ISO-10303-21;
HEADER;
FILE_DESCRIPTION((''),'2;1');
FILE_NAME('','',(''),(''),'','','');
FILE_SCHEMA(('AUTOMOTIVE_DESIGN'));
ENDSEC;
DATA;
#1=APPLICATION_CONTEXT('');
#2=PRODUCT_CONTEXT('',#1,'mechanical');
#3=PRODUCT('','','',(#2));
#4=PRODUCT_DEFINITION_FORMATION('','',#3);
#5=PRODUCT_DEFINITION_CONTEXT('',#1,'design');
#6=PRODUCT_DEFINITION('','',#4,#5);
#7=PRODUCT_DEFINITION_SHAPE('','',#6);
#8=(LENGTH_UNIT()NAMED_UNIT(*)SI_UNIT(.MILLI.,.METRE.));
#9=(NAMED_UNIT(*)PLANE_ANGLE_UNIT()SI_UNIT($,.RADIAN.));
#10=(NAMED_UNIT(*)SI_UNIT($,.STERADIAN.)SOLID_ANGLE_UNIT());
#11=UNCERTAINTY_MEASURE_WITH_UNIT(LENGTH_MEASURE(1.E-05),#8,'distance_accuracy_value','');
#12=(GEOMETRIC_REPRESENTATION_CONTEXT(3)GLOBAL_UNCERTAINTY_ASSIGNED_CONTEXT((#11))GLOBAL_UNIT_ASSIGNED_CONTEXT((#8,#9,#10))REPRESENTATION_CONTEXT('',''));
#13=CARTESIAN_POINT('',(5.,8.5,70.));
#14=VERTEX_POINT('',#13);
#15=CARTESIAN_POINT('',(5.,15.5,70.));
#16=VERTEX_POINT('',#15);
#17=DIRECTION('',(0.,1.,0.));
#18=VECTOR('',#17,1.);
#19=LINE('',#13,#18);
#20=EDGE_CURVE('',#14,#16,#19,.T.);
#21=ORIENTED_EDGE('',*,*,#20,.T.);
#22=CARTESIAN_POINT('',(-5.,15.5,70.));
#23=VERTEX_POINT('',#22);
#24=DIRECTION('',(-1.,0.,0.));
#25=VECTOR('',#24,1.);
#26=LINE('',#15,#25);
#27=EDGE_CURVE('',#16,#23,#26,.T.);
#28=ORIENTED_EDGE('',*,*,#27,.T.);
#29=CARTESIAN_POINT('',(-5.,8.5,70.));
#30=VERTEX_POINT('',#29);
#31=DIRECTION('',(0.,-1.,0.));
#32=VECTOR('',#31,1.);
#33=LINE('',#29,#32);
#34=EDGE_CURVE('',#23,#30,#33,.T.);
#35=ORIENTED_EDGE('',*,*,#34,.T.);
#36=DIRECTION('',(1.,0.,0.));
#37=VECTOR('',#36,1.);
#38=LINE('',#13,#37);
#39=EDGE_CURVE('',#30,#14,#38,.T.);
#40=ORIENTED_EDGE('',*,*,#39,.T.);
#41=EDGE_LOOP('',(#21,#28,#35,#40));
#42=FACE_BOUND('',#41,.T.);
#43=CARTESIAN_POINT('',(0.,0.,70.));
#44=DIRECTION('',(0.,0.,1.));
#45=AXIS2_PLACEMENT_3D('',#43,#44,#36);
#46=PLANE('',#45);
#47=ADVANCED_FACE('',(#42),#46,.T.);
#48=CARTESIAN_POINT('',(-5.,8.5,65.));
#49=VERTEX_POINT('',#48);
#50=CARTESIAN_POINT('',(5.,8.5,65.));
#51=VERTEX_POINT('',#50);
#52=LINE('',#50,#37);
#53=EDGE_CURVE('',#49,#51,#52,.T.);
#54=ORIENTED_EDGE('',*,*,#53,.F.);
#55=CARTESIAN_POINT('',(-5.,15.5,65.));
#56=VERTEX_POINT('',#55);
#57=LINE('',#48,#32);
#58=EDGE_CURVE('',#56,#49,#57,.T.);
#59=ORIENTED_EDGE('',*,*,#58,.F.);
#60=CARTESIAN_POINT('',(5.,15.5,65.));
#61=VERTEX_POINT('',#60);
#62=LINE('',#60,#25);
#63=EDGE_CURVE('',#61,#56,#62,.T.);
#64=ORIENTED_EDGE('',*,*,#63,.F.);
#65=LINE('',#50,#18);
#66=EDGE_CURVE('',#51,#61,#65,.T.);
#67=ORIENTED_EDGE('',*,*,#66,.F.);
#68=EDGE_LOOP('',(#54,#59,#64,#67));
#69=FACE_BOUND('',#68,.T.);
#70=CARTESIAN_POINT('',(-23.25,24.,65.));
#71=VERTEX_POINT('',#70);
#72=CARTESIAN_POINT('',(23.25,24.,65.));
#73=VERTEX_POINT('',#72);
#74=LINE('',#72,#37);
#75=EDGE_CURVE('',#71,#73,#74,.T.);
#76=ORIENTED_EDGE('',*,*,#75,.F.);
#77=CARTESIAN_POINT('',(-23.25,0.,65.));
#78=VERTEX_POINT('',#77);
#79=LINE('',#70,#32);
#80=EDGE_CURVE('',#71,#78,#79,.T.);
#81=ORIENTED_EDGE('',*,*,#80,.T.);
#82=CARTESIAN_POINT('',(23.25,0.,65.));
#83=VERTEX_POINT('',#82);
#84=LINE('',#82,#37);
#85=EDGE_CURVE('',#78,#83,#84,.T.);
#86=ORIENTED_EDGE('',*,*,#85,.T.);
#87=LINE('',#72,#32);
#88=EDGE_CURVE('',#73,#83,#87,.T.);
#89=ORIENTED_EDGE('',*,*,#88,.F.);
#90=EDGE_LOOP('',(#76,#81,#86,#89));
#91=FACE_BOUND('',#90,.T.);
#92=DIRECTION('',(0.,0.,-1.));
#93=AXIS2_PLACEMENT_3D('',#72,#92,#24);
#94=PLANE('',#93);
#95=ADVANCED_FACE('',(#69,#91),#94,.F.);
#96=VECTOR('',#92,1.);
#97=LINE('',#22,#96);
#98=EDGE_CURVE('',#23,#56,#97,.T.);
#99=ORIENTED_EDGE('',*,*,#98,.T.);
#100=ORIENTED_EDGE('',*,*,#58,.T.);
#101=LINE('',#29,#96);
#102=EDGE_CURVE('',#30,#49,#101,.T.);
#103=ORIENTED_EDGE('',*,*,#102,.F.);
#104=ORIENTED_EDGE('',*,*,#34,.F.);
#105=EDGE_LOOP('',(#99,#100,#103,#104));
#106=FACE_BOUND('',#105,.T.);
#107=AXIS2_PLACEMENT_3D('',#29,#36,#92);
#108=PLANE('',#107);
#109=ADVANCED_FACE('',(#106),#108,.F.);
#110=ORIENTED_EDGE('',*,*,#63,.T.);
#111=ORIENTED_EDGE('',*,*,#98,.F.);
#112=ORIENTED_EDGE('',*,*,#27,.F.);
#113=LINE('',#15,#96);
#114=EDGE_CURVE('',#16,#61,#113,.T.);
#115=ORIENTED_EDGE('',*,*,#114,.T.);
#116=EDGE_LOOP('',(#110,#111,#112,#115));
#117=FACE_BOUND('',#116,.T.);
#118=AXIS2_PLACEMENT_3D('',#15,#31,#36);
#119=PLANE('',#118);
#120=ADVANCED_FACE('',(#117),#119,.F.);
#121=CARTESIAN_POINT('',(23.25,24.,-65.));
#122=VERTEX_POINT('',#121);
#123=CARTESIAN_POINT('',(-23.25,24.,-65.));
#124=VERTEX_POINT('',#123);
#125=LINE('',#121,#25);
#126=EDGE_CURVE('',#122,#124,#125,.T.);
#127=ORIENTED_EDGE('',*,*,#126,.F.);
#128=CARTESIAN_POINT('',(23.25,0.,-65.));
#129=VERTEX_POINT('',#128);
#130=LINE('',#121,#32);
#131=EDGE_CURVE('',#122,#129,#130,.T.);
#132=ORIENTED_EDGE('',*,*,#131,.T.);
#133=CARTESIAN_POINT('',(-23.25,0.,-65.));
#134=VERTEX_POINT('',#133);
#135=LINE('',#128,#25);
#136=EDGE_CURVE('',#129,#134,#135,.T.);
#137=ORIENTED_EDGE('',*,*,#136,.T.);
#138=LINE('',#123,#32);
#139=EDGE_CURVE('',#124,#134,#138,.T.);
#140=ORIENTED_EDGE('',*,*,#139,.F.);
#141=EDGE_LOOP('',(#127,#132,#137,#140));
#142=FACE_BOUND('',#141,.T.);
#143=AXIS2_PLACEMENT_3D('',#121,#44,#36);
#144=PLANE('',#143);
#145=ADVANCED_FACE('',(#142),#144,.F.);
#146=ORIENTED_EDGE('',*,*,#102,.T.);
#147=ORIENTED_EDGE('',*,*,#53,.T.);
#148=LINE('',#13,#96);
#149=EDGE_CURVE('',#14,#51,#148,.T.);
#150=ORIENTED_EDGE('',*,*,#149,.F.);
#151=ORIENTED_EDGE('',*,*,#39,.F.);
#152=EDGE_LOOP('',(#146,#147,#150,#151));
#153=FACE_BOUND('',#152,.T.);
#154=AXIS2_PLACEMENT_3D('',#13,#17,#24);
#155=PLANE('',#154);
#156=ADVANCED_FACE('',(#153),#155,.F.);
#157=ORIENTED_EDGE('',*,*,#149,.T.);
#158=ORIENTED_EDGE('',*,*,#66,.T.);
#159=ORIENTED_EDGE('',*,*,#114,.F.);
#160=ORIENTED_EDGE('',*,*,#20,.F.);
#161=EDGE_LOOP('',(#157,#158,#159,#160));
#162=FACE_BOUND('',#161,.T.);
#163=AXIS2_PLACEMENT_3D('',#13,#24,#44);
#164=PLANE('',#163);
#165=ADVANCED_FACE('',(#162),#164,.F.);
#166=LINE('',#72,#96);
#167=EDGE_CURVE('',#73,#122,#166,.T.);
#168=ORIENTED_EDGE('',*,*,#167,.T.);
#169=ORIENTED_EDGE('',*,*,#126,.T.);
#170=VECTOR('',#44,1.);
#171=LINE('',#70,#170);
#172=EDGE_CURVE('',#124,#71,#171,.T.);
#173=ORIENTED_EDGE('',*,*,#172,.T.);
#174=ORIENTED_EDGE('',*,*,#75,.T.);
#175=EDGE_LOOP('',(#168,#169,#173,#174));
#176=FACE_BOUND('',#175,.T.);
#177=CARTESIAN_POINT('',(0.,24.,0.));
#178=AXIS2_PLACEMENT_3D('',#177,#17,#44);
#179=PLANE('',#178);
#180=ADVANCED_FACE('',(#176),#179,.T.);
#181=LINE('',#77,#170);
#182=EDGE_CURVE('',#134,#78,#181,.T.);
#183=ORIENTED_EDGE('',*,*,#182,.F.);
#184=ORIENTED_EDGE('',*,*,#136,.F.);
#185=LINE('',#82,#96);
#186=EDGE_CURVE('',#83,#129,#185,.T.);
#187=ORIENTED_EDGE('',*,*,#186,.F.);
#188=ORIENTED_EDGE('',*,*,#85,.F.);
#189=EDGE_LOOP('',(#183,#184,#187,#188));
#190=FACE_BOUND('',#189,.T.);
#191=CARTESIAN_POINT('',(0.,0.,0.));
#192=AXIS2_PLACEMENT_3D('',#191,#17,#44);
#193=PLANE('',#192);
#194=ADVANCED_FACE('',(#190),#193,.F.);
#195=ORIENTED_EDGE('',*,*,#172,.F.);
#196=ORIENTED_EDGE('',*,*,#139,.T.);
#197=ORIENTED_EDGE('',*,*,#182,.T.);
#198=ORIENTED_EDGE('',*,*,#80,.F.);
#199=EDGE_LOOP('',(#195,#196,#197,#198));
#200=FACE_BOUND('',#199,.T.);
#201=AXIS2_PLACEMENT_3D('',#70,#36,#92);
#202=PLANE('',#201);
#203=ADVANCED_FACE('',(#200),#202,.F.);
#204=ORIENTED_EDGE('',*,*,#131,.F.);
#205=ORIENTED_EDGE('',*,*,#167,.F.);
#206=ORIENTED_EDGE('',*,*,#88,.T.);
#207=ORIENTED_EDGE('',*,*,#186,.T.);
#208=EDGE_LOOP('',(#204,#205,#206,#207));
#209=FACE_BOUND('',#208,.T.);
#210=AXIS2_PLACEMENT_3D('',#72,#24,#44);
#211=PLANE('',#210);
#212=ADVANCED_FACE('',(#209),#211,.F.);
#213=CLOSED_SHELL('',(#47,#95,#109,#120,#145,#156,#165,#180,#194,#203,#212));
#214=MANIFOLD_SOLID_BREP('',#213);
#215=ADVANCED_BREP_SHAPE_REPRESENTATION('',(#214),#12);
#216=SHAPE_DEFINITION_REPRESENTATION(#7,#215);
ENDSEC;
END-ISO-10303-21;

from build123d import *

# Parameters (mm, degrees)
SKETCH1_W    = 46.5
SKETCH1_H    = 130
BODY_DEPTH   = 24
SKETCH2_W    = 10
SKETCH2_H    = 7
CABLES_DEPTH = 5


with BuildPart() as part:
    # Sketch1 → body (new body)
    with BuildSketch(Plane(origin=(0, 0, 0), x_dir=(1, 0, 0), z_dir=(0, 1, 0))):
        Rectangle(SKETCH1_W, SKETCH1_H)
    extrude(amount=BODY_DEPTH)

    # Sketch2 → cables (add)
    with BuildSketch(Plane.XY.offset(65)):
        with Locations((0, 12)):
            Rectangle(SKETCH2_W, SKETCH2_H)
    extrude(amount=CABLES_DEPTH)


solid = part.part
